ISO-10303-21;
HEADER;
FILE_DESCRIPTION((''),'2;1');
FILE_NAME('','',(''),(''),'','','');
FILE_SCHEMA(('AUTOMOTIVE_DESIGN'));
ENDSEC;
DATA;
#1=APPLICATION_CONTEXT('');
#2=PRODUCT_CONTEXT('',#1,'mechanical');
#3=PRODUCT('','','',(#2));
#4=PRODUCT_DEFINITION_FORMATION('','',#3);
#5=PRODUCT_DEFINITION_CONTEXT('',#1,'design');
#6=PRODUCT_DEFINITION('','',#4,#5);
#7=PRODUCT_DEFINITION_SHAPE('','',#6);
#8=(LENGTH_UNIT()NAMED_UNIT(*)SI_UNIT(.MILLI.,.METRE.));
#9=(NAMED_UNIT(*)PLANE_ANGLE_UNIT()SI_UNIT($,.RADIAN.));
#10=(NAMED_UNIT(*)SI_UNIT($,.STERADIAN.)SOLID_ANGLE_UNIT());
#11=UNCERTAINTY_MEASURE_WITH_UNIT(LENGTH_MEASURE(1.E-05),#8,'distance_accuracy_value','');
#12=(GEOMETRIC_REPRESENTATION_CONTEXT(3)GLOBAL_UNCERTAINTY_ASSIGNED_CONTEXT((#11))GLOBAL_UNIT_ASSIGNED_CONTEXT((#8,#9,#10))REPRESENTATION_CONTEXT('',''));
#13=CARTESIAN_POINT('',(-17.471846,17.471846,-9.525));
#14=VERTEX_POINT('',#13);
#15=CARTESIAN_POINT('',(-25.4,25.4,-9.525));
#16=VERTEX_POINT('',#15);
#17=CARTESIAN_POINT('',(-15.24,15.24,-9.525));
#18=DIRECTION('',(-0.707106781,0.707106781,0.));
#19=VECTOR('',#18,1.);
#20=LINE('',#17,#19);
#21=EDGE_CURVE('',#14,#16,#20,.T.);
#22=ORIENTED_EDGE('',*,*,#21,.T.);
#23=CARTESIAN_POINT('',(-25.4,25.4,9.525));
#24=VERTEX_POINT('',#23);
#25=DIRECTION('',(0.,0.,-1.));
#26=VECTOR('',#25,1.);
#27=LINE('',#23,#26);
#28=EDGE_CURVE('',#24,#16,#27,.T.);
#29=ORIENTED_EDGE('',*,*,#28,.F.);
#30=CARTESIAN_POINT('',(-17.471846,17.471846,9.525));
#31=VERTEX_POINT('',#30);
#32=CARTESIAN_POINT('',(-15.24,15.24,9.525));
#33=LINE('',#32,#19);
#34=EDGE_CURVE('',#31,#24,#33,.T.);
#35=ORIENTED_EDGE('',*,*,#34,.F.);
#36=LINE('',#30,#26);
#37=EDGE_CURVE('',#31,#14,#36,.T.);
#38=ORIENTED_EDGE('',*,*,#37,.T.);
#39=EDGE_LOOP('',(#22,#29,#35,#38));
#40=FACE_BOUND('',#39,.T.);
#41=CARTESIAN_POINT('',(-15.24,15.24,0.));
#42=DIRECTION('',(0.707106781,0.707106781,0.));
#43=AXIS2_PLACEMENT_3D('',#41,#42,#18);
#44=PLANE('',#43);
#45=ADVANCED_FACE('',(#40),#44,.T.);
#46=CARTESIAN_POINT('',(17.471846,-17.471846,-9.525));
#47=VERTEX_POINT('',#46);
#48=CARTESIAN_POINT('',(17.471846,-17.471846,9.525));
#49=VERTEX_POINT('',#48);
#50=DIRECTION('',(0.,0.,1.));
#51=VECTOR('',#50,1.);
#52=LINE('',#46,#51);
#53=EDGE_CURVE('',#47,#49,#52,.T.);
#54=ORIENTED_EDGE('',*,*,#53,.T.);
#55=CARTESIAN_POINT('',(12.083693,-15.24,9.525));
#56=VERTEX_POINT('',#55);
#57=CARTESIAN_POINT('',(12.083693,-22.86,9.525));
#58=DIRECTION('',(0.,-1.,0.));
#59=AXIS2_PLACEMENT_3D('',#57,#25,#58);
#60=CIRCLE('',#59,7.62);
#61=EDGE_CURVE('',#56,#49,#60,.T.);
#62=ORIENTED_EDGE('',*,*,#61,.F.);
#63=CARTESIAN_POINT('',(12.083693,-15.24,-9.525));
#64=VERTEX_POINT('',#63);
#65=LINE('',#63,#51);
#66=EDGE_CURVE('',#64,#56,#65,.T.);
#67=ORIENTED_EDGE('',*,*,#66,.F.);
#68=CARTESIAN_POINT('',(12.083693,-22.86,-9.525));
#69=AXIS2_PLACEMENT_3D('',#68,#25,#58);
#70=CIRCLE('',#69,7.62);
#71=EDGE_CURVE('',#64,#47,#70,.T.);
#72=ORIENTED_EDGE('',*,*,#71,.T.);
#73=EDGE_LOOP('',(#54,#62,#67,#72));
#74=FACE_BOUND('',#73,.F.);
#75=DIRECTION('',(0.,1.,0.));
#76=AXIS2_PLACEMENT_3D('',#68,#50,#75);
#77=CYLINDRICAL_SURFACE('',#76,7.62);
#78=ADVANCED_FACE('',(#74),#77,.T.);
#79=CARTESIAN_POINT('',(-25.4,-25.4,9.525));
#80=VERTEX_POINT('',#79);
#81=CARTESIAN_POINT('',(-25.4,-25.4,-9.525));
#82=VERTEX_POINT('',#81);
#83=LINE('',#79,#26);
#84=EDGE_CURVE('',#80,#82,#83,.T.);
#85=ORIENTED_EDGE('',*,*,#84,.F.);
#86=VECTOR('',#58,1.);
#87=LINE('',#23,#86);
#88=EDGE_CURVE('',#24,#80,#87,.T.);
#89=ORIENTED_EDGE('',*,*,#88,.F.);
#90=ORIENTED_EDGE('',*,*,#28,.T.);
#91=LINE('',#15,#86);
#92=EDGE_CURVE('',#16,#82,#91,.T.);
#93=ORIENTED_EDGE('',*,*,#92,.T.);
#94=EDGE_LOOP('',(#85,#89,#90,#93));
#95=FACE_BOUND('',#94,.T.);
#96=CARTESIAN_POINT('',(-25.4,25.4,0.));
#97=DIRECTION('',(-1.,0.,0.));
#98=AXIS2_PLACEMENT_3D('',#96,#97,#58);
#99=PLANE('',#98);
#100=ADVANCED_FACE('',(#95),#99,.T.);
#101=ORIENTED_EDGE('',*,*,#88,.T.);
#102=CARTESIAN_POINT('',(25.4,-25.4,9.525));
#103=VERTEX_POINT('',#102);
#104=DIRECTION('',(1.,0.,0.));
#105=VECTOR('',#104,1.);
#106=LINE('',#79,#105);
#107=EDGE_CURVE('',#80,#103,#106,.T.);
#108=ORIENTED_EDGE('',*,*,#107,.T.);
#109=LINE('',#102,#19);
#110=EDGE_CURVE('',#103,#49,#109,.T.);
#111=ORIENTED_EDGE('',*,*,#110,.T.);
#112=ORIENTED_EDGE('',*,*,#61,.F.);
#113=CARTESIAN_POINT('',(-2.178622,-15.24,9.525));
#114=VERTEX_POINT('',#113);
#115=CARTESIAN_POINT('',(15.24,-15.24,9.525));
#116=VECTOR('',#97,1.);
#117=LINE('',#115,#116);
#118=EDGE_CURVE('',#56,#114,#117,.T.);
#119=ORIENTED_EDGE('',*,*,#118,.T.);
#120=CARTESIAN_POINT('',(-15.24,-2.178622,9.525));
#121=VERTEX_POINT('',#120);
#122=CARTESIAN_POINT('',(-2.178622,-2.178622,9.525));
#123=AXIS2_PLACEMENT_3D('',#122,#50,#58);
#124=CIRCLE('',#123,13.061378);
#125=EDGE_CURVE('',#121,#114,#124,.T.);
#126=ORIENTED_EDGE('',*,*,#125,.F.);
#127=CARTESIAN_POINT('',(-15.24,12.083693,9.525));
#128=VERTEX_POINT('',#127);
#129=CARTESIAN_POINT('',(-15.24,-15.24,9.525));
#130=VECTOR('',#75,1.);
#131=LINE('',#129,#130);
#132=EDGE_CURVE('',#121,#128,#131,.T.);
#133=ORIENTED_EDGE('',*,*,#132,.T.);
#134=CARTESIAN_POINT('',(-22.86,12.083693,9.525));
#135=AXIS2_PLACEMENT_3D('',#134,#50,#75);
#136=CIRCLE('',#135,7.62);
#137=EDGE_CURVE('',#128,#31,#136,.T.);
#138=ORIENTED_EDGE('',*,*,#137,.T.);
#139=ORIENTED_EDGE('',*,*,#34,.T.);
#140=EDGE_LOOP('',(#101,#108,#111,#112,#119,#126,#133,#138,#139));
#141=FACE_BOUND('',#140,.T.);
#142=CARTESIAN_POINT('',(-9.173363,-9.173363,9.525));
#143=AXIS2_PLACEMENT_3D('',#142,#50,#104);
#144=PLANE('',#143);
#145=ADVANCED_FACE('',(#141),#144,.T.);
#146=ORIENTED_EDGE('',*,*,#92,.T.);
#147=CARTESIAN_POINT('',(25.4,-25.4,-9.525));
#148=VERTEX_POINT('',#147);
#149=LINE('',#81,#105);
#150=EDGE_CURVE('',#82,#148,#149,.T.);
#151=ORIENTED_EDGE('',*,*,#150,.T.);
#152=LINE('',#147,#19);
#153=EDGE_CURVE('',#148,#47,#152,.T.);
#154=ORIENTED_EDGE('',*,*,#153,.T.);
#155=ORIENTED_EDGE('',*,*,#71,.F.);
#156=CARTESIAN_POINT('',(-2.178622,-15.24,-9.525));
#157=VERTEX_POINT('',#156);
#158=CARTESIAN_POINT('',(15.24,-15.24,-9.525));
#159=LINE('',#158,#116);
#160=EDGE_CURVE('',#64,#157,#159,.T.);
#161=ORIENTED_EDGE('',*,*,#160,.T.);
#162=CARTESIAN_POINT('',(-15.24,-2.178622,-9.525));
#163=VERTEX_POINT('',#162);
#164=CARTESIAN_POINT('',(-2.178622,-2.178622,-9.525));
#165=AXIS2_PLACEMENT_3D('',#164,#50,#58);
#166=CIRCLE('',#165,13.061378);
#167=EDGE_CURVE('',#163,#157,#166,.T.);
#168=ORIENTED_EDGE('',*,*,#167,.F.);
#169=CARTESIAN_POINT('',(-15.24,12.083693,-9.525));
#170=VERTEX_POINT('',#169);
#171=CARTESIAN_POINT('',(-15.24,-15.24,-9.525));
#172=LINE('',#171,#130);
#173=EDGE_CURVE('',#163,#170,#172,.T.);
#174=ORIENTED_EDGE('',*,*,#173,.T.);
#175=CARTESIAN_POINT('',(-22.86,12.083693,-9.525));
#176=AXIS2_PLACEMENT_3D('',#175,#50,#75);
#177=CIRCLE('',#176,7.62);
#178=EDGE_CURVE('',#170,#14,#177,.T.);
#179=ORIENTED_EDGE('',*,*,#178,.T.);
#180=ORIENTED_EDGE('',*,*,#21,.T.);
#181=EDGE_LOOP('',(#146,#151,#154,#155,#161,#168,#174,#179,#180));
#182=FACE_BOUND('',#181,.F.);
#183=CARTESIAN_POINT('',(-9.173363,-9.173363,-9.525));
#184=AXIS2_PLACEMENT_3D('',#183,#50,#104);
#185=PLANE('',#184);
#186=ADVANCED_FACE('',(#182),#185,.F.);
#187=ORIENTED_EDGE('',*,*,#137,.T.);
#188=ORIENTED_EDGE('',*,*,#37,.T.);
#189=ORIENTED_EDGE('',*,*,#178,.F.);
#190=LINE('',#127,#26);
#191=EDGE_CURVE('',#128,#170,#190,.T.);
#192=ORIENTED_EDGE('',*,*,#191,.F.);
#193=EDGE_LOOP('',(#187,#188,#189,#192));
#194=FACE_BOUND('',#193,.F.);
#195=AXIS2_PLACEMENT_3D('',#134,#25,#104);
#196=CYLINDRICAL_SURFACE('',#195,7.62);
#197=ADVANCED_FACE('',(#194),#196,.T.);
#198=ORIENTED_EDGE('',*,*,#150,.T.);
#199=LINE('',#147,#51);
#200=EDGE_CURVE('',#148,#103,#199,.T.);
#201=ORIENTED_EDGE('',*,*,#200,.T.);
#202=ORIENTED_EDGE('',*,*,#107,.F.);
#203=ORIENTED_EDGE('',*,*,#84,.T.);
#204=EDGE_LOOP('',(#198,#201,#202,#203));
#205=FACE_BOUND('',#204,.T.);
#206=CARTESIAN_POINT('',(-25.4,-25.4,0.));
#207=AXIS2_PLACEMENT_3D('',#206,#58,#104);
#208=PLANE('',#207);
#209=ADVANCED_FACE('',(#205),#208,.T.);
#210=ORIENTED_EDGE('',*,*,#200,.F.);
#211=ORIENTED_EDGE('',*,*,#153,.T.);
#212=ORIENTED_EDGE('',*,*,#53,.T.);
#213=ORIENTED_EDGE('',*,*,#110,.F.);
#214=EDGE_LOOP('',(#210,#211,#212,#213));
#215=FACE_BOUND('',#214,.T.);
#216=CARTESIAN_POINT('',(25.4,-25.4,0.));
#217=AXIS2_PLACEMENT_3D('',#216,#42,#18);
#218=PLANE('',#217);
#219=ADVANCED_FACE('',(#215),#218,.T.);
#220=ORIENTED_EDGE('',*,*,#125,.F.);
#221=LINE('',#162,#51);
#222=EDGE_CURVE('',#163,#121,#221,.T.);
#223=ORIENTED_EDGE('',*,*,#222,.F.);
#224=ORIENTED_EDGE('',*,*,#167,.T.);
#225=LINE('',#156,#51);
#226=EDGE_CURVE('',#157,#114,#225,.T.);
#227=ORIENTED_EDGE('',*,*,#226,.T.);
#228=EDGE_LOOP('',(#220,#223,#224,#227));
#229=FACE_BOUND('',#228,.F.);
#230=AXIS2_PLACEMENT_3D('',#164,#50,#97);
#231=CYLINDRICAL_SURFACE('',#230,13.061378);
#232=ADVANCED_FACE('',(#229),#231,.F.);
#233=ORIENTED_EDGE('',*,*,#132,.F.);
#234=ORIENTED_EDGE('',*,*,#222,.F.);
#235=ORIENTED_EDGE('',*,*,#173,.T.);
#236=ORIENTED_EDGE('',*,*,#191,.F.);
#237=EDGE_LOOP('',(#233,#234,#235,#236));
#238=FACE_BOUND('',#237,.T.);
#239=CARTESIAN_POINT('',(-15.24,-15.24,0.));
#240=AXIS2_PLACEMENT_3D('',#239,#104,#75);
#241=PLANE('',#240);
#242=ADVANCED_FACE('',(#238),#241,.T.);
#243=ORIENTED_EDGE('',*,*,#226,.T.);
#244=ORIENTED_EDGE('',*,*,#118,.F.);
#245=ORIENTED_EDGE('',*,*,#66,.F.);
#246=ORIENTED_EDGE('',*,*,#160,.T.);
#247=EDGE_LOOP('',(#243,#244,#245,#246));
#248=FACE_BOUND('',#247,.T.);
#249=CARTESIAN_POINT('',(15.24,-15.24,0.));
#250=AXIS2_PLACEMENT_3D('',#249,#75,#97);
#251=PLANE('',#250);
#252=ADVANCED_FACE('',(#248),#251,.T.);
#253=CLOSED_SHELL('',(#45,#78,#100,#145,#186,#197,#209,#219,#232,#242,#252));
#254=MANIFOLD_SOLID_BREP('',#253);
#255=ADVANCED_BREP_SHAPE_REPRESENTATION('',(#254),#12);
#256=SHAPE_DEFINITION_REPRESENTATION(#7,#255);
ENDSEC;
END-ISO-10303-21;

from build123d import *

# Parameters (mm, degrees)
F1_DEPTH = 9.525
F2_R     = 13.061378
F3_R     = 7.62


with BuildPart() as f1:
    # F0 (on Top) → F1 (new body, symmetric)
    with BuildSketch(Plane.XY):
        Polygon((-25.4, -25.4), (25.4, -25.4), (15.24, -15.24), (-15.24, -15.24), (-15.24, 15.24), (-25.4, 25.4), align=None)
    extrude(amount=F1_DEPTH, both=True)

    # F2
    f2_edges = [f1.edges().sort_by_distance(p)[0] for p in [
        (-15.24, -15.24, 0),
    ]]
    fillet(f2_edges, radius=F2_R)

    # F3
    f3_edges = [f1.edges().sort_by_distance(p)[0] for p in [
        (-15.24, 15.24, 0),
        (15.24, -15.24, 0),
    ]]
    fillet(f3_edges, radius=F3_R)


solid = f1.part
